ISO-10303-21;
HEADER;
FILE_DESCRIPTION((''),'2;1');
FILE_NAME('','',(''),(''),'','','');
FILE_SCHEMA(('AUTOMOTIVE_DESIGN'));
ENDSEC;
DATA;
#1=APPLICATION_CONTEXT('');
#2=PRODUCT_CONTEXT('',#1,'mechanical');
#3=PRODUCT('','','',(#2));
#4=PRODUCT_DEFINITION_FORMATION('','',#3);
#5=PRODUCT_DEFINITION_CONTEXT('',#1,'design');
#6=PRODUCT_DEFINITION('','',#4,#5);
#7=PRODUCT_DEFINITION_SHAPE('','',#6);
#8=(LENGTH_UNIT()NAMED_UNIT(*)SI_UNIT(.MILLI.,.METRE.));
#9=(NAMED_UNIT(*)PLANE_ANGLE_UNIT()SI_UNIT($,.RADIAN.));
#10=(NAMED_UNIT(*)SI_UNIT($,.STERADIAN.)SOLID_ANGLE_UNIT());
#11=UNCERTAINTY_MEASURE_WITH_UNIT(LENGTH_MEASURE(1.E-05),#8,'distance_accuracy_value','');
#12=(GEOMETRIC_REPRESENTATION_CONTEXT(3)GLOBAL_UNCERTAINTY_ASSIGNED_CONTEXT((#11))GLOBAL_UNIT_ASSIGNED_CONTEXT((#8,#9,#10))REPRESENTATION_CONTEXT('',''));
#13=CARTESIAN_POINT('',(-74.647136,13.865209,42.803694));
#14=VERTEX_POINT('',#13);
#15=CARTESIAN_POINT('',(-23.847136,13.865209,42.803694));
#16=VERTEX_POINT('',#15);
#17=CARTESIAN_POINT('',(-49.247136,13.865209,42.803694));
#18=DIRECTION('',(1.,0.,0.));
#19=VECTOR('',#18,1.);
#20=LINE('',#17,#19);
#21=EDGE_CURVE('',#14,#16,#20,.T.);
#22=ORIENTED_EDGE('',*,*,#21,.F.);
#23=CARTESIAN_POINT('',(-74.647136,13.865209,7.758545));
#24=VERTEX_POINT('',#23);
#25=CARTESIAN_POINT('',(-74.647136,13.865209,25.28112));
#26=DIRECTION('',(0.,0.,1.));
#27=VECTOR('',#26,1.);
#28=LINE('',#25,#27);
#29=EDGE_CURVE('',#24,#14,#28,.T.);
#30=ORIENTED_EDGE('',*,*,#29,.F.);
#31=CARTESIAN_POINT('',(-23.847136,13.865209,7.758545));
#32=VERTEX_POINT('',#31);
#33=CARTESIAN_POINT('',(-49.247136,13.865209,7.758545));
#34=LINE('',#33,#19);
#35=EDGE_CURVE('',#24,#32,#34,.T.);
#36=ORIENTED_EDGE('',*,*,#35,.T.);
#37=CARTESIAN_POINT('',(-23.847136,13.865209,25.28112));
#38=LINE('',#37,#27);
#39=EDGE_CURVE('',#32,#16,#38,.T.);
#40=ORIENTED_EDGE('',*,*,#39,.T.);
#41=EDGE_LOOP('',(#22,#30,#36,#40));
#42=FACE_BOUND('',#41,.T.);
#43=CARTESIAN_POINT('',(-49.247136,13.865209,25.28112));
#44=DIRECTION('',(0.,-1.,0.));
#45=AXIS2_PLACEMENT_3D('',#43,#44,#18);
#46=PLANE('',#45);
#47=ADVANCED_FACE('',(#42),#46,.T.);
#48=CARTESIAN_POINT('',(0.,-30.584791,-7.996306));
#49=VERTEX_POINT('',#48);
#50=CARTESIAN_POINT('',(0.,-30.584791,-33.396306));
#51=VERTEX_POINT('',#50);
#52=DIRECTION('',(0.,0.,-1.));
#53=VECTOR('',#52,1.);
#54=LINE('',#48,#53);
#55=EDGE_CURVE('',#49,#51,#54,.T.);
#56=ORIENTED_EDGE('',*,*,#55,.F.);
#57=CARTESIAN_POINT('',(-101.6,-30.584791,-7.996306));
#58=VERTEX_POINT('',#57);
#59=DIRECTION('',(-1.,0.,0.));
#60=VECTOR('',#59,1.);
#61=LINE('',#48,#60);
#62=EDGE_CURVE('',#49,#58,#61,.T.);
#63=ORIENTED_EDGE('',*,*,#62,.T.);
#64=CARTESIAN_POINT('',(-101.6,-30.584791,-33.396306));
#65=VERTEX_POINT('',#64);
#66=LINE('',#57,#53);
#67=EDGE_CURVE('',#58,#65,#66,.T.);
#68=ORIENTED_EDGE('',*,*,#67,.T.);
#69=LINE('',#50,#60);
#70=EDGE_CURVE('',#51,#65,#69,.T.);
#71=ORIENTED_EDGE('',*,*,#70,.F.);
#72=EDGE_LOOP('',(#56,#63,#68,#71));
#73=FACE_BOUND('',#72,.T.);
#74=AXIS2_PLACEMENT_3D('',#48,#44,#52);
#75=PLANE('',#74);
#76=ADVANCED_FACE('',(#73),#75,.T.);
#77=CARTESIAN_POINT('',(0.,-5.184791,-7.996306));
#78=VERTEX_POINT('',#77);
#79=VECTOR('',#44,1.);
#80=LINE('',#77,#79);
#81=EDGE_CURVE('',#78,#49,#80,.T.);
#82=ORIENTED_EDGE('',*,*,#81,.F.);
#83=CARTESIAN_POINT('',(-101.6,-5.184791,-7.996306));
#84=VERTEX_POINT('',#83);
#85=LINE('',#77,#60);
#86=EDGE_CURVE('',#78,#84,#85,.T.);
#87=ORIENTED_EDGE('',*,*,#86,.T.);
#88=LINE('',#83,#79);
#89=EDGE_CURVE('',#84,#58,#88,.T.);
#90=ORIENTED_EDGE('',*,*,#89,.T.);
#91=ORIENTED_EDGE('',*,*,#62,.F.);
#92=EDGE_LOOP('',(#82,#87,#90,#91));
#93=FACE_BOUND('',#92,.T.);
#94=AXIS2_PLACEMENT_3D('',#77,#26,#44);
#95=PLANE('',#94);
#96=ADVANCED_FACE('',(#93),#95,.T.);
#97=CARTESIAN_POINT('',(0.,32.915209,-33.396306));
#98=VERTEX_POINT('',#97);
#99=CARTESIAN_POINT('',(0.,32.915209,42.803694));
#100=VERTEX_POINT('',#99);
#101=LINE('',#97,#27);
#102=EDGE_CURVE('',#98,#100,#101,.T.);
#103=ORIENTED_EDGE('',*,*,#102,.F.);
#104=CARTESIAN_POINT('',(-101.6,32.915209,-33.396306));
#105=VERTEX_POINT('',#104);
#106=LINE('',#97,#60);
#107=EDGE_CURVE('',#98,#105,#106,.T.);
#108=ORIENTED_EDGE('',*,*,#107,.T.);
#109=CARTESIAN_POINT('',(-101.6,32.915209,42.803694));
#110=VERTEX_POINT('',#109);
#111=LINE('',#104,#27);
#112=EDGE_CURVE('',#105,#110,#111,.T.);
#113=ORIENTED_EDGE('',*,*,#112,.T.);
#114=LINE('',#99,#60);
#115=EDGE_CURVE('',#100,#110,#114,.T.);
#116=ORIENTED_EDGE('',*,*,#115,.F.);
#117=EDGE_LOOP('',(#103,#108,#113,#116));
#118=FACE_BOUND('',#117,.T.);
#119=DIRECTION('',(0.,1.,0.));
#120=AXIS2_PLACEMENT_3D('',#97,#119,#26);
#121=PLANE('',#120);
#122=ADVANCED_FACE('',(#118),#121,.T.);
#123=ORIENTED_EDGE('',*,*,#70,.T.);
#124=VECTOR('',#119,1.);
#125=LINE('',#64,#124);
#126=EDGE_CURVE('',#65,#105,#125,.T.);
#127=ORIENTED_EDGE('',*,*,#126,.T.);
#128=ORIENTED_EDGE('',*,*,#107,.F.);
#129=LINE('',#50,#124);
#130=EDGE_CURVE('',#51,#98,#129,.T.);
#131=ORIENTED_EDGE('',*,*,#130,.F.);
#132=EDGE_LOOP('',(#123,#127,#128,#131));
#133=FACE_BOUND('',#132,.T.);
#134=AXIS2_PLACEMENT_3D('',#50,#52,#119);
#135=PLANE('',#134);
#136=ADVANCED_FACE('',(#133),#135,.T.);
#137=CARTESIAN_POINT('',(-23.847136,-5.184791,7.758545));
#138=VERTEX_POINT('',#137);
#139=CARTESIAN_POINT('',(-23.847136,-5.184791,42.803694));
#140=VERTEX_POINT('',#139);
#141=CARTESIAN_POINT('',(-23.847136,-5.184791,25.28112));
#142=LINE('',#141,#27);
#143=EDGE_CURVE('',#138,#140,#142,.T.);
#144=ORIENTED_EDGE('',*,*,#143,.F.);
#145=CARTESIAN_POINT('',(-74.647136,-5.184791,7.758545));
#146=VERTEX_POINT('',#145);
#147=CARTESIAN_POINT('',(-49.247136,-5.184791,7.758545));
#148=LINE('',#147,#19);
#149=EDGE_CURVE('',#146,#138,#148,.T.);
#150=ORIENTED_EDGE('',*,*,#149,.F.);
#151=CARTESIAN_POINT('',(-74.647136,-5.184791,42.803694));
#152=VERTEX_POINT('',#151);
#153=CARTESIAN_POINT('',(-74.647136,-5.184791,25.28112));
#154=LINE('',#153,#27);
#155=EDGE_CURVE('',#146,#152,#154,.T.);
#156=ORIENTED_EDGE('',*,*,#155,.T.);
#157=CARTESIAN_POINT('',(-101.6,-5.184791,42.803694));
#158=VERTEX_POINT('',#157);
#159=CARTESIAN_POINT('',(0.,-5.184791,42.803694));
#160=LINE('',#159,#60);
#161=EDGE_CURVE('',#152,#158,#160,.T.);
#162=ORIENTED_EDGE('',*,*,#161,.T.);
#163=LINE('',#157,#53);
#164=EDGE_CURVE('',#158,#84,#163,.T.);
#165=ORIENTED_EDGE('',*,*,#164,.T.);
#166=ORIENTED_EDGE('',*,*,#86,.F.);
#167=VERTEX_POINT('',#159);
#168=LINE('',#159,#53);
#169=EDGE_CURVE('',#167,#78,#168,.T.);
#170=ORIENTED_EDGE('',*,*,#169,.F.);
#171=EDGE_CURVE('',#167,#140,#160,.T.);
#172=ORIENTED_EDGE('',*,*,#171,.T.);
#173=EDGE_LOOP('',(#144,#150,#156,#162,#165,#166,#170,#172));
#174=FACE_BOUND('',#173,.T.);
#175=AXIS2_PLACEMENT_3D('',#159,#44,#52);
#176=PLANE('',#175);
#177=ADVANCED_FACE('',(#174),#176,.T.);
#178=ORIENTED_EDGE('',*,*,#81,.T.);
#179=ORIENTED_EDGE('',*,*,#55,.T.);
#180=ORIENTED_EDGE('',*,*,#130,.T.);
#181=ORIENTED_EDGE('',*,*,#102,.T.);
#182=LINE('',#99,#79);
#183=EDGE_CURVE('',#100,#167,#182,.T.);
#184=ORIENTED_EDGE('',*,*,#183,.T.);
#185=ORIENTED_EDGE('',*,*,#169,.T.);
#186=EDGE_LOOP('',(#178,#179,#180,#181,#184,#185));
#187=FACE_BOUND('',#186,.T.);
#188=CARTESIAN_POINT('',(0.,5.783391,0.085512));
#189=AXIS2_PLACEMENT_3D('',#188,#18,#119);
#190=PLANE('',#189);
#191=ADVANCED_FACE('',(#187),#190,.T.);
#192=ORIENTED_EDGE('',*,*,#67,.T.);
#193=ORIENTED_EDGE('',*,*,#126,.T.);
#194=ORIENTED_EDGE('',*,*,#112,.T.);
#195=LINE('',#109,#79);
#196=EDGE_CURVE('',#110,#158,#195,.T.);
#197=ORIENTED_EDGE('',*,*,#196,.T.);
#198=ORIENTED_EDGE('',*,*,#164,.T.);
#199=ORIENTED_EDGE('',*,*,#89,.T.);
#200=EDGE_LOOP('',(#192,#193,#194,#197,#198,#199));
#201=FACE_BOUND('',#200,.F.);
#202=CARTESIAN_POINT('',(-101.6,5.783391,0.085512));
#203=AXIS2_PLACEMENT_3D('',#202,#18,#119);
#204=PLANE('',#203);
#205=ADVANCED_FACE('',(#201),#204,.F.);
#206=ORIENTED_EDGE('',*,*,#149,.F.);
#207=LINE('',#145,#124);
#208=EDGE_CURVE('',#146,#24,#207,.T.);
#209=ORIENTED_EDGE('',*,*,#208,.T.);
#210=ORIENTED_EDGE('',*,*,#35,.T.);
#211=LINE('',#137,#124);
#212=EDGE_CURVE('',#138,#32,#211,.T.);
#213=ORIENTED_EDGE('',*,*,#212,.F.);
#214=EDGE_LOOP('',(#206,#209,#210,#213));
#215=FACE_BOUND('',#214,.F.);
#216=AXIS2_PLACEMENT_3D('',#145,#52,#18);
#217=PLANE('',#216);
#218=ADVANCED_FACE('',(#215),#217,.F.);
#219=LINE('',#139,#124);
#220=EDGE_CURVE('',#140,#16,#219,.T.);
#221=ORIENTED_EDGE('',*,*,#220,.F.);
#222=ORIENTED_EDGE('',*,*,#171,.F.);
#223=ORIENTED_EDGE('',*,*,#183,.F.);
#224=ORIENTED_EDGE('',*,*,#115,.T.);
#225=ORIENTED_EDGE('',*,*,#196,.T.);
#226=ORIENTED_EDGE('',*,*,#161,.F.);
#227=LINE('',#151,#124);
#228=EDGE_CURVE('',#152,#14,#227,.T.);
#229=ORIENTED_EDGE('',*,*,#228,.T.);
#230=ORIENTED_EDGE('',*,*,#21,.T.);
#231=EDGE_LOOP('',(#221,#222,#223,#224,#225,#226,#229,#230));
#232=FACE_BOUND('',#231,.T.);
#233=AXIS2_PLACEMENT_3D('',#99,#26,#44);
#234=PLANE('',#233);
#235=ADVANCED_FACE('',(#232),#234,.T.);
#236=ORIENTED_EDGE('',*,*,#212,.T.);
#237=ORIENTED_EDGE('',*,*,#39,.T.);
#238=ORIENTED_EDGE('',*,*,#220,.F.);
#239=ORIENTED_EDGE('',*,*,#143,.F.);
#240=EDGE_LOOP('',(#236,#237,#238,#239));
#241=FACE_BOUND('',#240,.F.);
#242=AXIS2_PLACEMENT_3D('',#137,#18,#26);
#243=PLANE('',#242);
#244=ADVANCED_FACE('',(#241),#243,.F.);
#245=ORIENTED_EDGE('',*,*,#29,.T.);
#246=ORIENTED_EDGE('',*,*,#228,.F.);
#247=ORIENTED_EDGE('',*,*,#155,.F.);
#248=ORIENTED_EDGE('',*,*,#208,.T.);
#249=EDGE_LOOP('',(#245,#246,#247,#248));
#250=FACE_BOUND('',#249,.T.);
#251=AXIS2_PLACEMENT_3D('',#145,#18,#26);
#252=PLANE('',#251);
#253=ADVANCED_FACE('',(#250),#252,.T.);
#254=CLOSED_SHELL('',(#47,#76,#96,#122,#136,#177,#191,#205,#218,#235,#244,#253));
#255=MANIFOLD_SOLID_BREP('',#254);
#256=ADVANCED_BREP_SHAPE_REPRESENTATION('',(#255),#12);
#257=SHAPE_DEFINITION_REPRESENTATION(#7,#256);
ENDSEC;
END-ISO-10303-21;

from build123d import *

# Parameters (mm, degrees)
F1_DEPTH = 101.6
F2_W     = 50.8
F2_H     = 35.0451488608
F3_DEPTH = 19.05


with BuildPart() as f1:
    # F0 (on Right) → F1 (new body)
    with BuildSketch(Plane.YZ):
        Polygon((-30.5847906619, -7.9963059156), (-30.5847906619, -33.3963059156), (32.9152093381, -33.3963059156), (32.9152093381, 42.8036940844), (-5.1847906619, 42.8036940844), (-5.1847906619, -7.9963059156), align=None)
    extrude(amount=-F1_DEPTH)

    # F2 (on face) → F3 (cut)
    with BuildSketch(Plane.XZ.offset(5.1847906619)):
        with Locations((-49.2471360326, 25.281119654)):
            Rectangle(F2_W, F2_H)
    extrude(amount=-F3_DEPTH, mode=Mode.SUBTRACT)


solid = f1.part
